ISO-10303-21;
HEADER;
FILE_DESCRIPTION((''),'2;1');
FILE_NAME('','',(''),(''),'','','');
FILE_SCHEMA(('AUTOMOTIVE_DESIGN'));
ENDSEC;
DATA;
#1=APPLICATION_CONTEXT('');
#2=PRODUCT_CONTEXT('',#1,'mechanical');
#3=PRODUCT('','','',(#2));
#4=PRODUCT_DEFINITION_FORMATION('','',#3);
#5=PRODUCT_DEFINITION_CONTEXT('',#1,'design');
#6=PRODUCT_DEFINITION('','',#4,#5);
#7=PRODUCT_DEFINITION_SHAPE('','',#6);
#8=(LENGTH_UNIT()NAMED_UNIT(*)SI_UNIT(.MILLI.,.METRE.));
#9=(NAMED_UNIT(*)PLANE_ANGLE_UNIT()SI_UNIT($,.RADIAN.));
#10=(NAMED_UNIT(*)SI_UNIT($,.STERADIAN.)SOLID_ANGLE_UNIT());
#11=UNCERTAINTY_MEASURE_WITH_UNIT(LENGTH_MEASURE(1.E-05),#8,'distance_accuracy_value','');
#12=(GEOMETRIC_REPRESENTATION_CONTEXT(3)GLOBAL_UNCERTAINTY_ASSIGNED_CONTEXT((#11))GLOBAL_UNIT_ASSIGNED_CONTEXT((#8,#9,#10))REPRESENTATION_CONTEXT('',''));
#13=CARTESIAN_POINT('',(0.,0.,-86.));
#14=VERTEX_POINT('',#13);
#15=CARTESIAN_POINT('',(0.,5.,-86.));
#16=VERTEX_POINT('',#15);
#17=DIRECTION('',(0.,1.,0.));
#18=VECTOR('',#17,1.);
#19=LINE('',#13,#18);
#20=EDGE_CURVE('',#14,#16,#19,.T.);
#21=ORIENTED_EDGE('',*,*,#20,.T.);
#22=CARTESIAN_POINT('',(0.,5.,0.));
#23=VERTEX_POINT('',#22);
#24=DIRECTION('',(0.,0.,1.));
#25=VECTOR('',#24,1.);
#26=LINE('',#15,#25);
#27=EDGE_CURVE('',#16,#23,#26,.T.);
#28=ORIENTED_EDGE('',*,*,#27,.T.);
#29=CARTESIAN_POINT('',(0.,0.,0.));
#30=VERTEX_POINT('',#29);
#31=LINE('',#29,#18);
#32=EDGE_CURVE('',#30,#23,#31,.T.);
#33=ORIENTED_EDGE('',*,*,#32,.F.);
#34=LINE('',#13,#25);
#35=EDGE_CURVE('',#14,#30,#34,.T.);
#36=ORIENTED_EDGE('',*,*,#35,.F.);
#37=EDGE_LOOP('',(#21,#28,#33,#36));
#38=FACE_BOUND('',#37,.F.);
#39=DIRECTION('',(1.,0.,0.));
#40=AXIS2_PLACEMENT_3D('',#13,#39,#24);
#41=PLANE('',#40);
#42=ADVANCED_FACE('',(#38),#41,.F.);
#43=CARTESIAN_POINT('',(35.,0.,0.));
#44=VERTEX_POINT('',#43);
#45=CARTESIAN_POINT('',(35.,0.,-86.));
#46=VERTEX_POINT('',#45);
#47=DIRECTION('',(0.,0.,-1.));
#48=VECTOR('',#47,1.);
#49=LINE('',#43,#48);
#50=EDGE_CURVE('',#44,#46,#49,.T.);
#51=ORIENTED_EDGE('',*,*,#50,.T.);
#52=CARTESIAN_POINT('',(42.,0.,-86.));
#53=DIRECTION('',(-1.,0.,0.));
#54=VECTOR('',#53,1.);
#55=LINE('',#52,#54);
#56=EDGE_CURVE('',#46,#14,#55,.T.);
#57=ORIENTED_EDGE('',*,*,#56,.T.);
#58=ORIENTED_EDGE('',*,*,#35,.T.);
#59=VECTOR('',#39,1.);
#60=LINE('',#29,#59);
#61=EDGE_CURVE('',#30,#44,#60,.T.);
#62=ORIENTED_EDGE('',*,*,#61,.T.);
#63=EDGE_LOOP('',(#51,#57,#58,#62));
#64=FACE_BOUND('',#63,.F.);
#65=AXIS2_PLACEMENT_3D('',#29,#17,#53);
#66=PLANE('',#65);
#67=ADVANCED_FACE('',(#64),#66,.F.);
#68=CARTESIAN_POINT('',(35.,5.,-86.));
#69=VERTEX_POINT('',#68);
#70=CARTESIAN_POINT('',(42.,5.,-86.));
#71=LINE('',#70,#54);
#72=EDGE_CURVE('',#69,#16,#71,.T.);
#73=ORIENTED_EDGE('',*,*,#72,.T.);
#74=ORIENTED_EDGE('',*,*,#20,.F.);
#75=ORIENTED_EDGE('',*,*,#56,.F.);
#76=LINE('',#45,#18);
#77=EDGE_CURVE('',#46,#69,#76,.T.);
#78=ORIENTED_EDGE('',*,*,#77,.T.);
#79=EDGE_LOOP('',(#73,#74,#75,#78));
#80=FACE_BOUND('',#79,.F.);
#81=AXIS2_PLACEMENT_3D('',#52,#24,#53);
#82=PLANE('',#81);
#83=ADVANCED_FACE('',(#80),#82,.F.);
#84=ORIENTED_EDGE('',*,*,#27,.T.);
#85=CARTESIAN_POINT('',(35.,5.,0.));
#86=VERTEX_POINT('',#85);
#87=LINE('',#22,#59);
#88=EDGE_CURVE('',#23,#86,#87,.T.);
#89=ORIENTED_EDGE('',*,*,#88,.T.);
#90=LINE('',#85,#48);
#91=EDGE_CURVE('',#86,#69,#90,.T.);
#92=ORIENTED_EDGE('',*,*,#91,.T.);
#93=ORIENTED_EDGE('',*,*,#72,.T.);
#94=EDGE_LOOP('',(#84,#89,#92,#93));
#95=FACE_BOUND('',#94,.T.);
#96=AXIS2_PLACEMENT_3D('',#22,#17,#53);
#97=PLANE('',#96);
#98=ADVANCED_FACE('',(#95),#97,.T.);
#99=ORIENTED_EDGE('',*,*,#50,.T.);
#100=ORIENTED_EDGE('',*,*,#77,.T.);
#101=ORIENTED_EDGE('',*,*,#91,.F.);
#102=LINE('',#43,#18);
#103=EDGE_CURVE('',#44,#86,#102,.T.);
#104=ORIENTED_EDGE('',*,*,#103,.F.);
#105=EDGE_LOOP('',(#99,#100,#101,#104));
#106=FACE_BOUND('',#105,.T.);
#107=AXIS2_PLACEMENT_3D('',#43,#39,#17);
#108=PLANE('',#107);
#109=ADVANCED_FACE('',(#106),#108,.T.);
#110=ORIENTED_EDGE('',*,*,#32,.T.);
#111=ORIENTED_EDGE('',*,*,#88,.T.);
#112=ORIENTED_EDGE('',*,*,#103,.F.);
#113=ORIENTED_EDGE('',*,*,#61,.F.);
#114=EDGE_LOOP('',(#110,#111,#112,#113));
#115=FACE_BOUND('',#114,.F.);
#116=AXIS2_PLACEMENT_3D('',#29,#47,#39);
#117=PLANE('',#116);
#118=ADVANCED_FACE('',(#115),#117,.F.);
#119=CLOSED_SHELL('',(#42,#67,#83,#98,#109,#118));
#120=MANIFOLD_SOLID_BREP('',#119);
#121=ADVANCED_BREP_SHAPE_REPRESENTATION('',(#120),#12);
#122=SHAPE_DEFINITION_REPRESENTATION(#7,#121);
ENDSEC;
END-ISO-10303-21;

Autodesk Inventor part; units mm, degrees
ref_plane "YZ Plane" through (0, 0, 0) normal (1, 0, 0) x (0, 1, 0)
ref_plane "XZ Plane" through (0, 0, 0) normal (0, 1, 0) x (-1, 0, 0)
ref_plane "XY Plane" through (0, 0, 0) normal (0, 0, 1) x (1, 0, 0)
sketch "Szkic1" plane through (0, 0, 0) normal (0, 1, 0) x (-1, 0, 0)
  line L0 (0, 0) -> (-42, 0)
  line L1 (-42, 0) -> (-42, -86)
  line L2 (-42, -86) -> (0, -86)
  line L3 (0, -86) -> (0, 0)
  dimension "d0" = 42
  dimension "d1" = 86
extrude "Wyciągnięcie proste1" add sketch "Szkic1" along normal blind 5
sketch "Szkic2" plane through (0, 0, 0) normal (0, 0, 1) x (1, 0, 0)
  line L0 (42, 0) -> (42, 5) projected
  line L1 (42, 5) -> (0, 5) projected
  line L2 (42, 0) -> (35, 0)
  line L3 (35, 0) -> (35, 5)
  line L4 (35, 5) -> (42, 5)
  line L5 (42, 5) -> (42, 0)
  point P0 (0, 0)
  dimension "d4" = 7
extrude "Wyciągnięcie proste2" cut sketch "Szkic2" against normal blind 106.25
properties part number "PCB"
